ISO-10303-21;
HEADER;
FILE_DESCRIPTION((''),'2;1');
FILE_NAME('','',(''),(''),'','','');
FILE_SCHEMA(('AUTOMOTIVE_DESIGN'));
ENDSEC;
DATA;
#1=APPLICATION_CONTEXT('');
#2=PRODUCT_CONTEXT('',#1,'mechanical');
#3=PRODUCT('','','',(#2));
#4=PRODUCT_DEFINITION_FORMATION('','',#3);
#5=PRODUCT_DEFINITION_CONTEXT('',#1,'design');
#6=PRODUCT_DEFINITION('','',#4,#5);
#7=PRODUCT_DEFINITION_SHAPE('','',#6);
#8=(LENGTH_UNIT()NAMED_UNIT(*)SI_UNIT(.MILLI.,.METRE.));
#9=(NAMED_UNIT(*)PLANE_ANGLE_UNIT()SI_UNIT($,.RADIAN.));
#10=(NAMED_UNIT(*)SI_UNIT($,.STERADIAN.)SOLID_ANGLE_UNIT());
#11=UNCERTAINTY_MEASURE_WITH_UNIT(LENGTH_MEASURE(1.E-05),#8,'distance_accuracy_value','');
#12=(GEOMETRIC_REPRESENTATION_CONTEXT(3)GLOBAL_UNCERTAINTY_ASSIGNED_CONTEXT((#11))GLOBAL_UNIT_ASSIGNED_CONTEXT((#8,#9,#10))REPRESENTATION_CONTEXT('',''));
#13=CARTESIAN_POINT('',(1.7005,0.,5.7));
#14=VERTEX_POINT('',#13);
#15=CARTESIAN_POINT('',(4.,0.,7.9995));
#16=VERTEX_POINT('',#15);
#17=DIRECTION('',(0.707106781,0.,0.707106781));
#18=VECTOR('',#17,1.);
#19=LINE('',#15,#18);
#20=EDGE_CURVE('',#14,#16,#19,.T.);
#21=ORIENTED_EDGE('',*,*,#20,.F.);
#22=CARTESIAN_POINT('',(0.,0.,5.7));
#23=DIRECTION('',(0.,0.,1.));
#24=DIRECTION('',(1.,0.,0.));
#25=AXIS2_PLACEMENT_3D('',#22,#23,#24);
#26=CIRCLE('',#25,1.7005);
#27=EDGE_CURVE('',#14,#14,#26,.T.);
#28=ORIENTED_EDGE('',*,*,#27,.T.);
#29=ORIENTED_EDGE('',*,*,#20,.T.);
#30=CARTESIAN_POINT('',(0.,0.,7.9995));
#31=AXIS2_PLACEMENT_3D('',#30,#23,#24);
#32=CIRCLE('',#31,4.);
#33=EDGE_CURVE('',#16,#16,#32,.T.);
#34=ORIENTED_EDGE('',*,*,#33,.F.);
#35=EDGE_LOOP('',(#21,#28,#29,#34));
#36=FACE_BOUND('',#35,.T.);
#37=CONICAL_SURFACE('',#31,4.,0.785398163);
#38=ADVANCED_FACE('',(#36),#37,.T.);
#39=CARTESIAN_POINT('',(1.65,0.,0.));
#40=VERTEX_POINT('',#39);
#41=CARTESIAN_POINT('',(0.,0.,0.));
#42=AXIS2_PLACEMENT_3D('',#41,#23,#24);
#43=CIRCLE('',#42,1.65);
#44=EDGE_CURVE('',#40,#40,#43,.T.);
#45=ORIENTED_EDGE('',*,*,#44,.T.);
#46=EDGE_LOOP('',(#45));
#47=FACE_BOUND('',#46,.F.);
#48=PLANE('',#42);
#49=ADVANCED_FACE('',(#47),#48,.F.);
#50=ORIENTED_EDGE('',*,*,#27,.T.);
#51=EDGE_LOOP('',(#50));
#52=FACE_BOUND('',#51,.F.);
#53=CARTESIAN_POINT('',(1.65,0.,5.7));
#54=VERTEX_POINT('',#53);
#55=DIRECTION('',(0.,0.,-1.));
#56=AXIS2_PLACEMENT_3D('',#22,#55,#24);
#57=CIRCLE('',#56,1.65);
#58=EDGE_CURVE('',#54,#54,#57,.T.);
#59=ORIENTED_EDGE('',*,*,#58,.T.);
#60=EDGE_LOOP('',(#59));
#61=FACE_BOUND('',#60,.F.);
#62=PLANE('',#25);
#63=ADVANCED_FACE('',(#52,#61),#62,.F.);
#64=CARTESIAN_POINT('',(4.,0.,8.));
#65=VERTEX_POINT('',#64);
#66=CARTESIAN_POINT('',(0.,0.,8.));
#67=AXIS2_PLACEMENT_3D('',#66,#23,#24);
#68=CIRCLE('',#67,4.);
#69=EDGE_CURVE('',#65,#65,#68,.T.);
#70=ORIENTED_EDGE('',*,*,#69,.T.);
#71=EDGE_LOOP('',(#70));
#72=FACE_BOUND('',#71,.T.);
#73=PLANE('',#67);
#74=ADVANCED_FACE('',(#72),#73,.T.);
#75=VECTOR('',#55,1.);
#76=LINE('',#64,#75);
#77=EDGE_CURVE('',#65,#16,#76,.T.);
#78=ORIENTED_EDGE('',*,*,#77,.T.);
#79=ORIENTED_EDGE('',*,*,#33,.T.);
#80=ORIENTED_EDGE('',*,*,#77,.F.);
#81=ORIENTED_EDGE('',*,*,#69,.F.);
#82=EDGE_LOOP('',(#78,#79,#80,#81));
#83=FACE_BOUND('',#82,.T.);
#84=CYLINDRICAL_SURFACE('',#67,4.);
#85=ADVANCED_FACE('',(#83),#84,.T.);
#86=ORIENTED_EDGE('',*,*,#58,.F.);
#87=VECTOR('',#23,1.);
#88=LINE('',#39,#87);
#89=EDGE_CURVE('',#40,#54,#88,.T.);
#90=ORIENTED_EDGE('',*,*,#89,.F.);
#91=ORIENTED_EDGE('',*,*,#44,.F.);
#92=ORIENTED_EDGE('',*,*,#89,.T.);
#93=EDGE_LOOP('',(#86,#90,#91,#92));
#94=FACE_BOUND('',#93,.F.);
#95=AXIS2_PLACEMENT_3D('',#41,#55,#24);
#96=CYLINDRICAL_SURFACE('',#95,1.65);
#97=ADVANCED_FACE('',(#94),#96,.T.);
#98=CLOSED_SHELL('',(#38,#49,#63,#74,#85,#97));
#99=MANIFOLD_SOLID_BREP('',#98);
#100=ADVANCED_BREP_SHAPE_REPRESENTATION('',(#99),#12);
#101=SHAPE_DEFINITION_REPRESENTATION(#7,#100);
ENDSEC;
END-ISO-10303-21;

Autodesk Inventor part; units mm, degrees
ref_plane "YZ Plane" through (0, 0, 0) normal (1, 0, 0) x (0, 1, 0)
ref_plane "XZ Plane" through (0, 0, 0) normal (0, 1, 0) x (-1, 0, 0)
ref_plane "XY Plane" through (0, 0, 0) normal (0, 0, 1) x (1, 0, 0)
sketch "スケッチ1" plane through (0, 0, 0) normal (0, 0, 1) x (1, 0, 0)
  circle A0 centre (0, 0) radius 1.65
  dimension "d0" = 3.3
extrude "押し出し1" add sketch "スケッチ1" along normal blind 8
sketch "スケッチ2" plane through (0, 0, 8) normal (0, 0, 1) x (1, 0, 0)
  circle A0 centre (0, 0) radius 4
  dimension "d3" = 8
extrude "押し出し2" add sketch "スケッチ2" against normal blind 2.3
chamfer "面取り1" distance 2.3 angle 45 1 edges at (-4, 0, 5.7)
thread "ねじ1" size "M3.5x0.6" class "6g" standard "ANSI Metric M Profile" full length
properties part number "ネジ皿m4,08" material "鋼、高強度、低合金"
